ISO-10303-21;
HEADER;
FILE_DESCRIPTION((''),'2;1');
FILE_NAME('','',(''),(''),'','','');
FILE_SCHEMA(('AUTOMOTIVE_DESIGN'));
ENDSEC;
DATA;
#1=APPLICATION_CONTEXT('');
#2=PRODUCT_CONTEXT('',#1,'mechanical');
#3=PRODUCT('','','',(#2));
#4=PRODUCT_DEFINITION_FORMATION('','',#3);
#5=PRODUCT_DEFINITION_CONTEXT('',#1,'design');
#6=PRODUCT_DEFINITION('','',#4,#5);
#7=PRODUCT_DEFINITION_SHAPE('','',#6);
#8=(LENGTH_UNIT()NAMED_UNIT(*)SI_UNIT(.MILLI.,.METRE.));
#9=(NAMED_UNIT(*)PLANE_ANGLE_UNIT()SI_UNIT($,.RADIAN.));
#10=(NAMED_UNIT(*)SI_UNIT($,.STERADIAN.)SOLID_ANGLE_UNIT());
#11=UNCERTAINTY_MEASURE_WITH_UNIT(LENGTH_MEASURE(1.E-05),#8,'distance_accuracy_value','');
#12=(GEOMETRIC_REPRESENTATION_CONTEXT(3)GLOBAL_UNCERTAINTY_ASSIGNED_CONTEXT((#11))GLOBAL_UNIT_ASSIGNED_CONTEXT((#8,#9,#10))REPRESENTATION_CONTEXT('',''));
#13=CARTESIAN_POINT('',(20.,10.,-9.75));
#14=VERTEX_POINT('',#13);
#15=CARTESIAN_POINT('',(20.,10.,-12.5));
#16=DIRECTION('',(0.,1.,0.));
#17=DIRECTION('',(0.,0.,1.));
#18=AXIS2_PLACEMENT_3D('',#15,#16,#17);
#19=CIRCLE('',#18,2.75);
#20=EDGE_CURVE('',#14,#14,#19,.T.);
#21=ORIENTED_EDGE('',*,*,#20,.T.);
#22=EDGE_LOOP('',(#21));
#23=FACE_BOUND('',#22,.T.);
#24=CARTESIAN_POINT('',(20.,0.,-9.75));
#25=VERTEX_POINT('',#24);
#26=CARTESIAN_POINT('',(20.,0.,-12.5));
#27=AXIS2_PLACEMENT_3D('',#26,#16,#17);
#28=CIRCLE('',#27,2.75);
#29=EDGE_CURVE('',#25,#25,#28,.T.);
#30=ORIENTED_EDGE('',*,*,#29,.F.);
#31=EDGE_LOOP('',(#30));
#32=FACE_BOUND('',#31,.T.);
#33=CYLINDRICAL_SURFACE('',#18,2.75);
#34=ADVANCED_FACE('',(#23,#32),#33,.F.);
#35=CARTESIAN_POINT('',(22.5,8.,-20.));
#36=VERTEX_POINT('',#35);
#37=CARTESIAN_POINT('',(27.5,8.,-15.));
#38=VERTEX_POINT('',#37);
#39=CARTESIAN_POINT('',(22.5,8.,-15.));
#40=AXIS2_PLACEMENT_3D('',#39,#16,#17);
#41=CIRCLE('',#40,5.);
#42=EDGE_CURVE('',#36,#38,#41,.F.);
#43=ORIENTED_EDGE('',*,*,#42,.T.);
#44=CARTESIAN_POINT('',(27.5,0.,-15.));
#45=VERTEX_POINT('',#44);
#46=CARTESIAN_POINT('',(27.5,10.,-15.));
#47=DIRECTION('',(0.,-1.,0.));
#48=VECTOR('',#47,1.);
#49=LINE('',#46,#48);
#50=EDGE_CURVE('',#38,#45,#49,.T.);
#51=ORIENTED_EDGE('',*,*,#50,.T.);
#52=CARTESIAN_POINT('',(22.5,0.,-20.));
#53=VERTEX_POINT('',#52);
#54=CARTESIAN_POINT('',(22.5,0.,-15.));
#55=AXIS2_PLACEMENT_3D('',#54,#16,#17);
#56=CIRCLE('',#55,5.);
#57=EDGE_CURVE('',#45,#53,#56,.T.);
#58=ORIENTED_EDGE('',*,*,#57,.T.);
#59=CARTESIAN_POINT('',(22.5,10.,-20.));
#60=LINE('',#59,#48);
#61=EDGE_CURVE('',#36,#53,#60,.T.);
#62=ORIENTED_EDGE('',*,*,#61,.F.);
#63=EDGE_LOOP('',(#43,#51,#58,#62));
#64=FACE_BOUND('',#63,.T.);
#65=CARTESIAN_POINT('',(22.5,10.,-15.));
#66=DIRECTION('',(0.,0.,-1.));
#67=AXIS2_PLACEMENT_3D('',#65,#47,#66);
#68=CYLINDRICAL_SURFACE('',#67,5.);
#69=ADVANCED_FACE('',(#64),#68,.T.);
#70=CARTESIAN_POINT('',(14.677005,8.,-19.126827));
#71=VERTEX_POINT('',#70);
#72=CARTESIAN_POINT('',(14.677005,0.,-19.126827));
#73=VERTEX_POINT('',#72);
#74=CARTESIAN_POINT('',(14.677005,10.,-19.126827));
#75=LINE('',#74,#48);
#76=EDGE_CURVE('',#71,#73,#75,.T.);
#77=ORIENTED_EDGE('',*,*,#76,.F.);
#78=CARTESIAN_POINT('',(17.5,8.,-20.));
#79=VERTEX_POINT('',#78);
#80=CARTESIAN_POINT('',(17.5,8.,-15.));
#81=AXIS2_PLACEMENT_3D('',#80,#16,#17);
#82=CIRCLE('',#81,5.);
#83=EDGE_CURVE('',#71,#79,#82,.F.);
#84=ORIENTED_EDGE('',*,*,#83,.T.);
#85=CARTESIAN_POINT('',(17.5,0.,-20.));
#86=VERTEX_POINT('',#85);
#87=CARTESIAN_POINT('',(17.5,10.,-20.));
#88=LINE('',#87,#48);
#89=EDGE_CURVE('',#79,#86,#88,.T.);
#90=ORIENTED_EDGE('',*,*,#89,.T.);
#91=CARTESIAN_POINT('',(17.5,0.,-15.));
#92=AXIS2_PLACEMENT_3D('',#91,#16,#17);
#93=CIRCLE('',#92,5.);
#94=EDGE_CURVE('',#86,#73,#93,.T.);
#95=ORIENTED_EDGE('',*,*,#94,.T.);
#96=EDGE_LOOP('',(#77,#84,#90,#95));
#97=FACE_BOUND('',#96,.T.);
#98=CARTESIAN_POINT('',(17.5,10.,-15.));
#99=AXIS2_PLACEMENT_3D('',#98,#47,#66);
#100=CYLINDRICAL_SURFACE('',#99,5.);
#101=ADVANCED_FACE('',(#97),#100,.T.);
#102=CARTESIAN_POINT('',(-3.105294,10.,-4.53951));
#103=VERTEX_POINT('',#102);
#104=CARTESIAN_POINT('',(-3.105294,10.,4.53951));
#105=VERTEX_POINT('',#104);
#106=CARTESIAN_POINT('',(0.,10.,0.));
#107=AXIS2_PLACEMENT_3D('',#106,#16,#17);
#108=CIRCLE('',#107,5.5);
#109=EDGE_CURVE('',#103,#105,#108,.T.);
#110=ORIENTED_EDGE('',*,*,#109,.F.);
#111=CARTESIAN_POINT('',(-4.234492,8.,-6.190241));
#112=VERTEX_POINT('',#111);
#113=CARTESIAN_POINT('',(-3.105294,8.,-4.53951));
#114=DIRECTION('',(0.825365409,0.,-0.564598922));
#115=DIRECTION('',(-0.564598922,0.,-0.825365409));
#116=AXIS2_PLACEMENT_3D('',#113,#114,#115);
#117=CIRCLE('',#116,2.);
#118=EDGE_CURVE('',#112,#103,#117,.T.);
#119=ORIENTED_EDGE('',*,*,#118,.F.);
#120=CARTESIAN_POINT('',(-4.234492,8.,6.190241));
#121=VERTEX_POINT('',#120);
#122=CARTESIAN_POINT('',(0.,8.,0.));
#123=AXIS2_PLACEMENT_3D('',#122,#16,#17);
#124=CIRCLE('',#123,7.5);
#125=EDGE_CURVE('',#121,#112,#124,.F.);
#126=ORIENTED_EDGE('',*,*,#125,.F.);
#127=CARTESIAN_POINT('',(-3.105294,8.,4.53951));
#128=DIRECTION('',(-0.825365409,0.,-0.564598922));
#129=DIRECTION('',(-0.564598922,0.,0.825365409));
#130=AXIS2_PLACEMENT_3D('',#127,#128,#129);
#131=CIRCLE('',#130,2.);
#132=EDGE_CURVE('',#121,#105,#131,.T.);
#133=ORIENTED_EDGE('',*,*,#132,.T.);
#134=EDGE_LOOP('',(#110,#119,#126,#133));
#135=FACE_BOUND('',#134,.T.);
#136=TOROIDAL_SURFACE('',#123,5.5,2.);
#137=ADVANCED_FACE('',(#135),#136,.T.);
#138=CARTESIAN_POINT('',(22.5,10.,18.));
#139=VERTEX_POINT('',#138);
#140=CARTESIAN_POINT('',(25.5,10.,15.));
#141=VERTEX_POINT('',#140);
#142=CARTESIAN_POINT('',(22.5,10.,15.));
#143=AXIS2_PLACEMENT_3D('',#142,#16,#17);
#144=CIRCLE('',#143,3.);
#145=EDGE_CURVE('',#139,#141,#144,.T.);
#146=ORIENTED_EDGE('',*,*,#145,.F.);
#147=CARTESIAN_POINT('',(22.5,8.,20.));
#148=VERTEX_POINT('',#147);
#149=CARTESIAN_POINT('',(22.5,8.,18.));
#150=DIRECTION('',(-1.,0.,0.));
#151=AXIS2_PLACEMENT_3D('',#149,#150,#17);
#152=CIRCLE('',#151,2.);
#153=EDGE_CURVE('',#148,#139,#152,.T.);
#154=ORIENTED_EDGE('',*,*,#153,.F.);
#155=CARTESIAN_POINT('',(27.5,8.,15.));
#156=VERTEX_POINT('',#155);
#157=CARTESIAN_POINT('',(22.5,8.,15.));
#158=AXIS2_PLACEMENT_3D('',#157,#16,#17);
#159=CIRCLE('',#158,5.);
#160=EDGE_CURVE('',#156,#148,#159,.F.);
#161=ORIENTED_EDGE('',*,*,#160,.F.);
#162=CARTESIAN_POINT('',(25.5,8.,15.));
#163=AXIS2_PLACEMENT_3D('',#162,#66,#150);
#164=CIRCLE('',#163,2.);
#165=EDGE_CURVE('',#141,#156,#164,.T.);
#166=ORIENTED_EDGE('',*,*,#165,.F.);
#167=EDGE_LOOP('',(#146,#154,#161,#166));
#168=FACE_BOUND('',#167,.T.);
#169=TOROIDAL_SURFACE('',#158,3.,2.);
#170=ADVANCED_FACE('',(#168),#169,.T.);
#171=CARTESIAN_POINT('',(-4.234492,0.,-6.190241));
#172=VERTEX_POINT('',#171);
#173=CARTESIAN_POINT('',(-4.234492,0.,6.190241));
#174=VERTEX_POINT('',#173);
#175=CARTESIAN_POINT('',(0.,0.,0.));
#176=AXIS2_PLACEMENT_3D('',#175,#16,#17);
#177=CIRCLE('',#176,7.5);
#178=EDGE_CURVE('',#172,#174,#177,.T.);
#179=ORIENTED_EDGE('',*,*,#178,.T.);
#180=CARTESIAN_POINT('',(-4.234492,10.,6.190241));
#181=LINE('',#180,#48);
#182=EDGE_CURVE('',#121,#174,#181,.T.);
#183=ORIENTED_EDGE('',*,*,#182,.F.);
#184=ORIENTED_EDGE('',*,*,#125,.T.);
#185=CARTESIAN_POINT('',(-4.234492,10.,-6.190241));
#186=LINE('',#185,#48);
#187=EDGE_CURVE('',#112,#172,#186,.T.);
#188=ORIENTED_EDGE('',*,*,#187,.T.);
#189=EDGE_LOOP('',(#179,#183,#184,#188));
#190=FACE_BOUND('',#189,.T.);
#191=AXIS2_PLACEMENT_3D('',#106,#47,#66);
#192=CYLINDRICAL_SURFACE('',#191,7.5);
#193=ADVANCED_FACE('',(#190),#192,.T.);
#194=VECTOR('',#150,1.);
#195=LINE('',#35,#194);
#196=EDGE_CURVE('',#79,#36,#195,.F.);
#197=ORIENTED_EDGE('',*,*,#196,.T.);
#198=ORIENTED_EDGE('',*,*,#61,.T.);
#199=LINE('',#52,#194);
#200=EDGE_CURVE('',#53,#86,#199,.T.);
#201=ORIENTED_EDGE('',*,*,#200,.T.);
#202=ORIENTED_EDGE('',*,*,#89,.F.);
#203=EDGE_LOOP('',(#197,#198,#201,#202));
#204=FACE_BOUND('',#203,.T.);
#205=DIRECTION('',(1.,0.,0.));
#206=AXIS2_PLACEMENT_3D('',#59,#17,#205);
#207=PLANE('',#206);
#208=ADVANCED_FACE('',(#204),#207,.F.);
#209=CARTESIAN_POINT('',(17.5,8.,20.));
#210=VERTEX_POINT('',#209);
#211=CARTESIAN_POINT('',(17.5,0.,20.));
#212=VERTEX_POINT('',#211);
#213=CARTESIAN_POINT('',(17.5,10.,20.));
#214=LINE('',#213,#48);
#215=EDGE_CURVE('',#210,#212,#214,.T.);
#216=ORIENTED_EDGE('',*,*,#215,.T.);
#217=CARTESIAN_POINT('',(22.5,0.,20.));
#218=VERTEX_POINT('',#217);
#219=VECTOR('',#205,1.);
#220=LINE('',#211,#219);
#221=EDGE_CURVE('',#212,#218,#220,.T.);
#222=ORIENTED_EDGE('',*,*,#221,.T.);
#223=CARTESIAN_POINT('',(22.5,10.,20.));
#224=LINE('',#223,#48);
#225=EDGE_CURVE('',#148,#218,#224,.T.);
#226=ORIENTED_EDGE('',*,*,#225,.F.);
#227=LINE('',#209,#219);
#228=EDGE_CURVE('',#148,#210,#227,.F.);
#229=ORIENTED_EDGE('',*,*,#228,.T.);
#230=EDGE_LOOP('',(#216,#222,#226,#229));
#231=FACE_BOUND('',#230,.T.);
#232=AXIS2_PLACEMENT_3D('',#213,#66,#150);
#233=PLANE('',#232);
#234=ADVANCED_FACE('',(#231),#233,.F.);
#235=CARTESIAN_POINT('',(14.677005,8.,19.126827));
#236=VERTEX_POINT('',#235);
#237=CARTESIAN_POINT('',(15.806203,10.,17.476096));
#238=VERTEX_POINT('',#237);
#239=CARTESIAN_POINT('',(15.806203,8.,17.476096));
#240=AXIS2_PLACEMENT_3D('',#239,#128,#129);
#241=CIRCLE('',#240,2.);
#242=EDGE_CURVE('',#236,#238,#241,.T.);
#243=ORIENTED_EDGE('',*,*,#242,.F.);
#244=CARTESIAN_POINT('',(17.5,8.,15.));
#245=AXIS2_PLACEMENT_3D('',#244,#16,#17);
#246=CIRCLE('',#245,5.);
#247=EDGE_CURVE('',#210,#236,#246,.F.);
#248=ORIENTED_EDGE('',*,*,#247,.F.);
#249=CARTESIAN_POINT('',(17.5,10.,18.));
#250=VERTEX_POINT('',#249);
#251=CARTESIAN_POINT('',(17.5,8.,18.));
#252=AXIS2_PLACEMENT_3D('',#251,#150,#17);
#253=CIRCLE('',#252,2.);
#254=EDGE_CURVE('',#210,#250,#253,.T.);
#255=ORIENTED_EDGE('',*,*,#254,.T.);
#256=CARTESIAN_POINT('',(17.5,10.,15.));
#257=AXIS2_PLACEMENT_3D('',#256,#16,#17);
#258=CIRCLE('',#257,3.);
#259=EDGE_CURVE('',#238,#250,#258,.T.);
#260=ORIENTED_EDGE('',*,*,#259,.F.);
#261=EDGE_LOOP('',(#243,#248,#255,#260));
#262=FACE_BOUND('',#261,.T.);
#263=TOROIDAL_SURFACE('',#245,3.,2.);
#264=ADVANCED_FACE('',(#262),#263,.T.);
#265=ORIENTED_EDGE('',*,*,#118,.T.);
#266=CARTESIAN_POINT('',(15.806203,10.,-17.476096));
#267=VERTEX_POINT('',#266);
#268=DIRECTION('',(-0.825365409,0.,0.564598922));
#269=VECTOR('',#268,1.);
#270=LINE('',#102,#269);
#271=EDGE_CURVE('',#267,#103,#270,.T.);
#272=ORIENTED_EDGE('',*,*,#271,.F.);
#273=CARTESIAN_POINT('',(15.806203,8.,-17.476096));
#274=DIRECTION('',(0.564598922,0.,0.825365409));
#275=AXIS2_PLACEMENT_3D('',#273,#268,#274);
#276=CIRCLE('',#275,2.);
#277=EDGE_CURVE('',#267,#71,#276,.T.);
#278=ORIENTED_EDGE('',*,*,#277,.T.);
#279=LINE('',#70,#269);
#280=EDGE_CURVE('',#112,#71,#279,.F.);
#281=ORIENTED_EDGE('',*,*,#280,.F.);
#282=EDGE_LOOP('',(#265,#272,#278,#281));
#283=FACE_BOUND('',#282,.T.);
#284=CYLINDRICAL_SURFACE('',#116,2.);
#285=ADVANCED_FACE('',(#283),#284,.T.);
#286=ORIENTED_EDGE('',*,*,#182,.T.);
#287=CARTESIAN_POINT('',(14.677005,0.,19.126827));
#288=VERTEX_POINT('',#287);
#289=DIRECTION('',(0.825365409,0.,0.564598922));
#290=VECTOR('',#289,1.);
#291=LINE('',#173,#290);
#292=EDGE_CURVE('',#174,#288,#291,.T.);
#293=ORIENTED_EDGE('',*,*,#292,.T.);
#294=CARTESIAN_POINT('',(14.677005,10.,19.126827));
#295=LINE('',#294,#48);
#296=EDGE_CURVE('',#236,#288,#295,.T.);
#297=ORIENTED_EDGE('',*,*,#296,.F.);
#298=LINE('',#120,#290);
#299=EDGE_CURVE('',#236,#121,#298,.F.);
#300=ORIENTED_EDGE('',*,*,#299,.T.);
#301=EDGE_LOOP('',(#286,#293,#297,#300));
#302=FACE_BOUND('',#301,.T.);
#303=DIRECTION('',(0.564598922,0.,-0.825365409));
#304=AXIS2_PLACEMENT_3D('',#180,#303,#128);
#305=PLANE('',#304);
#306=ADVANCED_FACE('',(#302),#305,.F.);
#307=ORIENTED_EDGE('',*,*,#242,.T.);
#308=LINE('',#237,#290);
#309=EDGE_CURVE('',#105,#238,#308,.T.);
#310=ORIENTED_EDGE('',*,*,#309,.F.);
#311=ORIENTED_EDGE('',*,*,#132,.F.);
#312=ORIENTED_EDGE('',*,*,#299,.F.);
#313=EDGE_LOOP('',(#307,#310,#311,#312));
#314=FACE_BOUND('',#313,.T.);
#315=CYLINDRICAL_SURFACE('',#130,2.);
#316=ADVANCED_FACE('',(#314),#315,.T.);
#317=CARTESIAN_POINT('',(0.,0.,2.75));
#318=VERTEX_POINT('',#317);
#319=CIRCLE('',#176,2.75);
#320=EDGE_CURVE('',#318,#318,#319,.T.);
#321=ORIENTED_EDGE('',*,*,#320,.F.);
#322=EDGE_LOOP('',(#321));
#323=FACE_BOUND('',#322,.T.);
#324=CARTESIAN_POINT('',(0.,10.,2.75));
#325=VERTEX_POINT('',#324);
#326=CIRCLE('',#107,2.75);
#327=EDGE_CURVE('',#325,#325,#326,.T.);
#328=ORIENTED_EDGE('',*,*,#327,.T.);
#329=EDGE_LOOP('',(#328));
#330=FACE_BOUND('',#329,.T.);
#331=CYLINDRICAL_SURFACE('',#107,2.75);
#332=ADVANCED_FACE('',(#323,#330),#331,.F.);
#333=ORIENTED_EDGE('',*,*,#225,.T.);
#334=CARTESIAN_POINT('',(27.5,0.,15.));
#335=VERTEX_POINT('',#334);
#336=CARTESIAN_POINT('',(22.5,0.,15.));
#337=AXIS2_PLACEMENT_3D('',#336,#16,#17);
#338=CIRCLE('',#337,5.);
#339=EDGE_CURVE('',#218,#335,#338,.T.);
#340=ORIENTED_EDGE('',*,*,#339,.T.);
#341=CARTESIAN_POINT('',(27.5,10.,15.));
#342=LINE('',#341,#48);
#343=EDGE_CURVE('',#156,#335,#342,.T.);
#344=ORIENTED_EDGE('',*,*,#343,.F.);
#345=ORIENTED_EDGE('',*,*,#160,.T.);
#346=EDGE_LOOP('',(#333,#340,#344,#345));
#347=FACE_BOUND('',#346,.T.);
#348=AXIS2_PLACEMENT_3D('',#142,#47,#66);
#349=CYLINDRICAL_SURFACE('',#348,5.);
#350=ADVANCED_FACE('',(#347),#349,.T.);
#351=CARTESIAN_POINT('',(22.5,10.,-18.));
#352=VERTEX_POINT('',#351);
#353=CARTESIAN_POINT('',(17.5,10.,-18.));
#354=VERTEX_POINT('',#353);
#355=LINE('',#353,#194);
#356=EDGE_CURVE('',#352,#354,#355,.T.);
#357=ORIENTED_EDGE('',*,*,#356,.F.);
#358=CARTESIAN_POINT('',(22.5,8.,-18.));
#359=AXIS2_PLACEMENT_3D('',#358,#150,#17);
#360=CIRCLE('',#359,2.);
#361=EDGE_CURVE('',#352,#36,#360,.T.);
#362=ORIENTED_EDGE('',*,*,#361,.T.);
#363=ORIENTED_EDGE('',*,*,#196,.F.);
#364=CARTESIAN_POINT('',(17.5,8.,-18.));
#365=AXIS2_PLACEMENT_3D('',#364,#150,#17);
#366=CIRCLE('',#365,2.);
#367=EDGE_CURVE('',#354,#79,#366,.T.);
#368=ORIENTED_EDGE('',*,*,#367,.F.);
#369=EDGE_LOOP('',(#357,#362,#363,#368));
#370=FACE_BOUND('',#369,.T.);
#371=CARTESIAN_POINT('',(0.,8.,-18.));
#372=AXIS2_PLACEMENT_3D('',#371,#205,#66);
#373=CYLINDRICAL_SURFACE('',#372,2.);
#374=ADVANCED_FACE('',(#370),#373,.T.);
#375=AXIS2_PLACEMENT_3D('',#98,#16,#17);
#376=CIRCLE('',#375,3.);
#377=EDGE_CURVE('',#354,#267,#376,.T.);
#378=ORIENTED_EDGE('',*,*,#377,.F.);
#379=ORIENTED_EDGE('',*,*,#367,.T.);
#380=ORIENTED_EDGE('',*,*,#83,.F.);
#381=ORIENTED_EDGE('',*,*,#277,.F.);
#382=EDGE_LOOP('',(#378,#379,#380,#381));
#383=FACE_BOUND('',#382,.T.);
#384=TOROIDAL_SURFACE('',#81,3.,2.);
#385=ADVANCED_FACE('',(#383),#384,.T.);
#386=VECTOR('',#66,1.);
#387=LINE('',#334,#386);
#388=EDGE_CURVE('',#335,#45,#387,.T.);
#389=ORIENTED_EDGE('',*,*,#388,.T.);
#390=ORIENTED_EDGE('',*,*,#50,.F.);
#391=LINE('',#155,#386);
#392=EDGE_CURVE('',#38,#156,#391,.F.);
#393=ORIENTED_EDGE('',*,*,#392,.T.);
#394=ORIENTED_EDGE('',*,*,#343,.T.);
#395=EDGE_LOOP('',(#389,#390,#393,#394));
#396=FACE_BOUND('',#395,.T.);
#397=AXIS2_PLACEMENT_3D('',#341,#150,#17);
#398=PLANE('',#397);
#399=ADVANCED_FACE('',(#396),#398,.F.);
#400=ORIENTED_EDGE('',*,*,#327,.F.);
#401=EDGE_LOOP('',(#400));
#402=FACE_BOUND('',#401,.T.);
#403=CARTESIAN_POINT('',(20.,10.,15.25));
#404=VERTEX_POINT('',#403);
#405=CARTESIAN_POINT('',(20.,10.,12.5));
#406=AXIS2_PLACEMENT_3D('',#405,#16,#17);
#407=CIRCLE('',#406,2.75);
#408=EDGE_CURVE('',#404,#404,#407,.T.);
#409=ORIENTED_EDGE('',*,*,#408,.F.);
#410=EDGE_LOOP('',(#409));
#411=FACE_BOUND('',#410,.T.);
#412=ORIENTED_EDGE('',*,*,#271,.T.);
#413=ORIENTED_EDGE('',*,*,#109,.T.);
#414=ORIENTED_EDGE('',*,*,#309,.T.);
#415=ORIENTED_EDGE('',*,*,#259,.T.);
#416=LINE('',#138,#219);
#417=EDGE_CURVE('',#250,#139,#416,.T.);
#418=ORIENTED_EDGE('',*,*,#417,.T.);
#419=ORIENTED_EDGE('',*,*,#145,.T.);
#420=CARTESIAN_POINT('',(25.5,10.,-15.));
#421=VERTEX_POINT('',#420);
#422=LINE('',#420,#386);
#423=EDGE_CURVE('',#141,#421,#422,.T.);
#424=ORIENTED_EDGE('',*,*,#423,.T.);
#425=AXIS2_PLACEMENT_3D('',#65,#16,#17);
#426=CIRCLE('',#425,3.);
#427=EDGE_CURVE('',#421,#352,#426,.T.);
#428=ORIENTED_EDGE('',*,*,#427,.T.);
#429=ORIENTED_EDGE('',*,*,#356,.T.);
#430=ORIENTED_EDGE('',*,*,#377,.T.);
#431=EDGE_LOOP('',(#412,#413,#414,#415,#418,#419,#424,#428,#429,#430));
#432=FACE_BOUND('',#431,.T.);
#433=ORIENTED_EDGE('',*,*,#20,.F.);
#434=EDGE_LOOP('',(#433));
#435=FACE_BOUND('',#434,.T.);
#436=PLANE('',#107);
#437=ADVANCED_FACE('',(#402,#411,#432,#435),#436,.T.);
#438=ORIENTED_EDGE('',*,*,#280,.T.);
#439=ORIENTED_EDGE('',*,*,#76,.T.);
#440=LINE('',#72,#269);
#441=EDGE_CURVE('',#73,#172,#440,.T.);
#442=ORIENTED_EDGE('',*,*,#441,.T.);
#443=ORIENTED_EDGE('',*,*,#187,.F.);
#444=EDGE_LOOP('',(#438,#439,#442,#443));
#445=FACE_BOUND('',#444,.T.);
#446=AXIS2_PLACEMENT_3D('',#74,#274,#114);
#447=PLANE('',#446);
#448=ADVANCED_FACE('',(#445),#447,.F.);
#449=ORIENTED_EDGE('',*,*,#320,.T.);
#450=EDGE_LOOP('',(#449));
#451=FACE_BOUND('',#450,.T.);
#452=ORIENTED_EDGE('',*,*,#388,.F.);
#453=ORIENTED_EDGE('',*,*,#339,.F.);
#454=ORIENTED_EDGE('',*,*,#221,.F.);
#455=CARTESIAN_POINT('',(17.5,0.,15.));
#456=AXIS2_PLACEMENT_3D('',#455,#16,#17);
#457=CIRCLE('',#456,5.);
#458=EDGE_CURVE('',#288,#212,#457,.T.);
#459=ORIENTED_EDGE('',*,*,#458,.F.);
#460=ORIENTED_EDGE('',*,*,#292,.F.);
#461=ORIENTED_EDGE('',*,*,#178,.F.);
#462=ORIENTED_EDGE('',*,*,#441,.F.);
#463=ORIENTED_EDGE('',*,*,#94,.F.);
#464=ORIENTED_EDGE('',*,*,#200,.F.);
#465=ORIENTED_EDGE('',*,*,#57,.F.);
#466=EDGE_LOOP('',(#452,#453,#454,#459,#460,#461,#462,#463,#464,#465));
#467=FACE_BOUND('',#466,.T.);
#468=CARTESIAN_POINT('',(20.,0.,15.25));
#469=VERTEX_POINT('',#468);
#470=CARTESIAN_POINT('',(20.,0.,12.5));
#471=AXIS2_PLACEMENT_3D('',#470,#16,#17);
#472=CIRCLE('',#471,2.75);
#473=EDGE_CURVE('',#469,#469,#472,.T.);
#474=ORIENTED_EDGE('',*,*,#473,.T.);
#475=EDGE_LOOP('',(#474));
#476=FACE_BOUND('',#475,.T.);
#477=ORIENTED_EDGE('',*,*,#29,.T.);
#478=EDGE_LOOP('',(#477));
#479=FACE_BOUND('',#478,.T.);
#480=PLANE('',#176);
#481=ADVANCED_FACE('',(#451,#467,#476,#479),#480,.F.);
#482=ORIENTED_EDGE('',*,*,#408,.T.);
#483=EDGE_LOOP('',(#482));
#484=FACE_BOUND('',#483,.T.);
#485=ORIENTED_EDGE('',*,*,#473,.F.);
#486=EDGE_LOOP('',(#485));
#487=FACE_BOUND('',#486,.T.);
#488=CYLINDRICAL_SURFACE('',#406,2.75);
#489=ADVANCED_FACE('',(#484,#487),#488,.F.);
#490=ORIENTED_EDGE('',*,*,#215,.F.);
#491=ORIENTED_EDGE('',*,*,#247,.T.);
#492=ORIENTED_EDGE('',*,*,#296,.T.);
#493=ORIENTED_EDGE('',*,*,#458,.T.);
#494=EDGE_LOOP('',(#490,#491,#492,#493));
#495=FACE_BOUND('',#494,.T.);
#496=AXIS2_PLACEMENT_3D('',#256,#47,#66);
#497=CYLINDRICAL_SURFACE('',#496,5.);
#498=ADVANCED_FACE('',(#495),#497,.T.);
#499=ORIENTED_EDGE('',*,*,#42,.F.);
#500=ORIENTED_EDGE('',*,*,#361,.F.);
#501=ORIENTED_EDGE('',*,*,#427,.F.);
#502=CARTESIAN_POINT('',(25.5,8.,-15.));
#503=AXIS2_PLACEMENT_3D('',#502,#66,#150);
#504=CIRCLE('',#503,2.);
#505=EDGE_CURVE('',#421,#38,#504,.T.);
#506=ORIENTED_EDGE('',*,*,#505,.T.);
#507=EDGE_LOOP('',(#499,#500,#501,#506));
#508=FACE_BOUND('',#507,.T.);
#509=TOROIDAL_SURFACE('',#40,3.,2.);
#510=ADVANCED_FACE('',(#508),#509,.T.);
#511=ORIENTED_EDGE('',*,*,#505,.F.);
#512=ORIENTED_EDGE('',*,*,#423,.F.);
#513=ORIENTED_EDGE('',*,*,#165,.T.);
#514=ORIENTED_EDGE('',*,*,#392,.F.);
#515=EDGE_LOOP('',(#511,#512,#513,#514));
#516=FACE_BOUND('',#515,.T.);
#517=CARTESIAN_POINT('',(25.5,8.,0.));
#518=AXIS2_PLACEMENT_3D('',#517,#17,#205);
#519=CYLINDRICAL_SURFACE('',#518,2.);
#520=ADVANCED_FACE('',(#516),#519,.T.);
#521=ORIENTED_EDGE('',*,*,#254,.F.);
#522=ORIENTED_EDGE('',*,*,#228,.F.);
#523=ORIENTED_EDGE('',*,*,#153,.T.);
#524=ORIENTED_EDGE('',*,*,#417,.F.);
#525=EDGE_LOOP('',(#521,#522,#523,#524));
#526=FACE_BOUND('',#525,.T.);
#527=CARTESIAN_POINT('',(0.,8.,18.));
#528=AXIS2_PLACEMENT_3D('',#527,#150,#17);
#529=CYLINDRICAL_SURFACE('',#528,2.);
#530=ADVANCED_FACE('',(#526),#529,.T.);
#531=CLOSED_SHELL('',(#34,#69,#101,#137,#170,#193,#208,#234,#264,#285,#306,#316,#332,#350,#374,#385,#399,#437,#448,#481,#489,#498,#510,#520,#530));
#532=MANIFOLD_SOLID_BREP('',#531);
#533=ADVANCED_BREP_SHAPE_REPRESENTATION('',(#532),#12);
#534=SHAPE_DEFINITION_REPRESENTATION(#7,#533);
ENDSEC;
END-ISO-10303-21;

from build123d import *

# Parameters (mm, degrees)
BOSS_EXTRUDE1_DEPTH  = 10
M5_CLEARANCE_HOLE1_D = 5.5
FILLET1_R            = 2


with BuildPart() as part:
    # Sketch1 → Boss-Extrude1 (new body)
    with BuildSketch(Plane(origin=(0, 0, 0), x_dir=(1, 0, 0), z_dir=(0, 1, 0))):
        with BuildLine():
            Line((-4.234491912, -6.190240564), (14.677005392, -19.126827043))
            ThreePointArc((14.677005392, -19.126827043), (16.022524994, -19.776721429), (17.5, -20))
            Line((17.5, -20), (22.5, -20))
            ThreePointArc((22.5, -20), (26.035533906, -18.535533906), (27.5, -15))
            Line((27.5, -15), (27.5, 15))
            ThreePointArc((27.5, 15), (26.035533906, 18.535533906), (22.5, 20))
            Line((22.5, 20), (17.5, 20))
            ThreePointArc((17.5, 20), (16.022524994, 19.776721429), (14.677005392, 19.126827043))
            Line((14.677005392, 19.126827043), (-4.234491912, 6.190240564))
            ThreePointArc((-4.234491912, 6.190240564), (-7.5, 0), (-4.234491912, -6.190240564))
        make_face()
    extrude(amount=BOSS_EXTRUDE1_DEPTH)

    # M5 Clearance Hole1 (through all)
    with Locations(Plane(origin=(0, 10, 0), x_dir=(1, 0, 0), z_dir=(0, 1, 0))):
        with Locations((0, 0), (20, 12.5), (20, -12.5)):
            Hole(M5_CLEARANCE_HOLE1_D / 2)

    # Fillet1
    fillet1_edges = [part.edges().sort_by_distance(p)[0] for p in [
        (16.022524994, 10, 19.776721429),
        (20, 10, 20),
        (26.035533906, 10, 18.535533906),
        (27.5, 10, 0),
        (26.035533906, 10, -18.535533906),
        (20, 10, -20),
        (16.022524994, 10, -19.776721429),
        (5.22125674, 10, -12.658533804),
        (-7.5, 10, 0),
        (5.22125674, 10, 12.658533804),
    ]]
    fillet(fillet1_edges, radius=FILLET1_R)


solid = part.part
